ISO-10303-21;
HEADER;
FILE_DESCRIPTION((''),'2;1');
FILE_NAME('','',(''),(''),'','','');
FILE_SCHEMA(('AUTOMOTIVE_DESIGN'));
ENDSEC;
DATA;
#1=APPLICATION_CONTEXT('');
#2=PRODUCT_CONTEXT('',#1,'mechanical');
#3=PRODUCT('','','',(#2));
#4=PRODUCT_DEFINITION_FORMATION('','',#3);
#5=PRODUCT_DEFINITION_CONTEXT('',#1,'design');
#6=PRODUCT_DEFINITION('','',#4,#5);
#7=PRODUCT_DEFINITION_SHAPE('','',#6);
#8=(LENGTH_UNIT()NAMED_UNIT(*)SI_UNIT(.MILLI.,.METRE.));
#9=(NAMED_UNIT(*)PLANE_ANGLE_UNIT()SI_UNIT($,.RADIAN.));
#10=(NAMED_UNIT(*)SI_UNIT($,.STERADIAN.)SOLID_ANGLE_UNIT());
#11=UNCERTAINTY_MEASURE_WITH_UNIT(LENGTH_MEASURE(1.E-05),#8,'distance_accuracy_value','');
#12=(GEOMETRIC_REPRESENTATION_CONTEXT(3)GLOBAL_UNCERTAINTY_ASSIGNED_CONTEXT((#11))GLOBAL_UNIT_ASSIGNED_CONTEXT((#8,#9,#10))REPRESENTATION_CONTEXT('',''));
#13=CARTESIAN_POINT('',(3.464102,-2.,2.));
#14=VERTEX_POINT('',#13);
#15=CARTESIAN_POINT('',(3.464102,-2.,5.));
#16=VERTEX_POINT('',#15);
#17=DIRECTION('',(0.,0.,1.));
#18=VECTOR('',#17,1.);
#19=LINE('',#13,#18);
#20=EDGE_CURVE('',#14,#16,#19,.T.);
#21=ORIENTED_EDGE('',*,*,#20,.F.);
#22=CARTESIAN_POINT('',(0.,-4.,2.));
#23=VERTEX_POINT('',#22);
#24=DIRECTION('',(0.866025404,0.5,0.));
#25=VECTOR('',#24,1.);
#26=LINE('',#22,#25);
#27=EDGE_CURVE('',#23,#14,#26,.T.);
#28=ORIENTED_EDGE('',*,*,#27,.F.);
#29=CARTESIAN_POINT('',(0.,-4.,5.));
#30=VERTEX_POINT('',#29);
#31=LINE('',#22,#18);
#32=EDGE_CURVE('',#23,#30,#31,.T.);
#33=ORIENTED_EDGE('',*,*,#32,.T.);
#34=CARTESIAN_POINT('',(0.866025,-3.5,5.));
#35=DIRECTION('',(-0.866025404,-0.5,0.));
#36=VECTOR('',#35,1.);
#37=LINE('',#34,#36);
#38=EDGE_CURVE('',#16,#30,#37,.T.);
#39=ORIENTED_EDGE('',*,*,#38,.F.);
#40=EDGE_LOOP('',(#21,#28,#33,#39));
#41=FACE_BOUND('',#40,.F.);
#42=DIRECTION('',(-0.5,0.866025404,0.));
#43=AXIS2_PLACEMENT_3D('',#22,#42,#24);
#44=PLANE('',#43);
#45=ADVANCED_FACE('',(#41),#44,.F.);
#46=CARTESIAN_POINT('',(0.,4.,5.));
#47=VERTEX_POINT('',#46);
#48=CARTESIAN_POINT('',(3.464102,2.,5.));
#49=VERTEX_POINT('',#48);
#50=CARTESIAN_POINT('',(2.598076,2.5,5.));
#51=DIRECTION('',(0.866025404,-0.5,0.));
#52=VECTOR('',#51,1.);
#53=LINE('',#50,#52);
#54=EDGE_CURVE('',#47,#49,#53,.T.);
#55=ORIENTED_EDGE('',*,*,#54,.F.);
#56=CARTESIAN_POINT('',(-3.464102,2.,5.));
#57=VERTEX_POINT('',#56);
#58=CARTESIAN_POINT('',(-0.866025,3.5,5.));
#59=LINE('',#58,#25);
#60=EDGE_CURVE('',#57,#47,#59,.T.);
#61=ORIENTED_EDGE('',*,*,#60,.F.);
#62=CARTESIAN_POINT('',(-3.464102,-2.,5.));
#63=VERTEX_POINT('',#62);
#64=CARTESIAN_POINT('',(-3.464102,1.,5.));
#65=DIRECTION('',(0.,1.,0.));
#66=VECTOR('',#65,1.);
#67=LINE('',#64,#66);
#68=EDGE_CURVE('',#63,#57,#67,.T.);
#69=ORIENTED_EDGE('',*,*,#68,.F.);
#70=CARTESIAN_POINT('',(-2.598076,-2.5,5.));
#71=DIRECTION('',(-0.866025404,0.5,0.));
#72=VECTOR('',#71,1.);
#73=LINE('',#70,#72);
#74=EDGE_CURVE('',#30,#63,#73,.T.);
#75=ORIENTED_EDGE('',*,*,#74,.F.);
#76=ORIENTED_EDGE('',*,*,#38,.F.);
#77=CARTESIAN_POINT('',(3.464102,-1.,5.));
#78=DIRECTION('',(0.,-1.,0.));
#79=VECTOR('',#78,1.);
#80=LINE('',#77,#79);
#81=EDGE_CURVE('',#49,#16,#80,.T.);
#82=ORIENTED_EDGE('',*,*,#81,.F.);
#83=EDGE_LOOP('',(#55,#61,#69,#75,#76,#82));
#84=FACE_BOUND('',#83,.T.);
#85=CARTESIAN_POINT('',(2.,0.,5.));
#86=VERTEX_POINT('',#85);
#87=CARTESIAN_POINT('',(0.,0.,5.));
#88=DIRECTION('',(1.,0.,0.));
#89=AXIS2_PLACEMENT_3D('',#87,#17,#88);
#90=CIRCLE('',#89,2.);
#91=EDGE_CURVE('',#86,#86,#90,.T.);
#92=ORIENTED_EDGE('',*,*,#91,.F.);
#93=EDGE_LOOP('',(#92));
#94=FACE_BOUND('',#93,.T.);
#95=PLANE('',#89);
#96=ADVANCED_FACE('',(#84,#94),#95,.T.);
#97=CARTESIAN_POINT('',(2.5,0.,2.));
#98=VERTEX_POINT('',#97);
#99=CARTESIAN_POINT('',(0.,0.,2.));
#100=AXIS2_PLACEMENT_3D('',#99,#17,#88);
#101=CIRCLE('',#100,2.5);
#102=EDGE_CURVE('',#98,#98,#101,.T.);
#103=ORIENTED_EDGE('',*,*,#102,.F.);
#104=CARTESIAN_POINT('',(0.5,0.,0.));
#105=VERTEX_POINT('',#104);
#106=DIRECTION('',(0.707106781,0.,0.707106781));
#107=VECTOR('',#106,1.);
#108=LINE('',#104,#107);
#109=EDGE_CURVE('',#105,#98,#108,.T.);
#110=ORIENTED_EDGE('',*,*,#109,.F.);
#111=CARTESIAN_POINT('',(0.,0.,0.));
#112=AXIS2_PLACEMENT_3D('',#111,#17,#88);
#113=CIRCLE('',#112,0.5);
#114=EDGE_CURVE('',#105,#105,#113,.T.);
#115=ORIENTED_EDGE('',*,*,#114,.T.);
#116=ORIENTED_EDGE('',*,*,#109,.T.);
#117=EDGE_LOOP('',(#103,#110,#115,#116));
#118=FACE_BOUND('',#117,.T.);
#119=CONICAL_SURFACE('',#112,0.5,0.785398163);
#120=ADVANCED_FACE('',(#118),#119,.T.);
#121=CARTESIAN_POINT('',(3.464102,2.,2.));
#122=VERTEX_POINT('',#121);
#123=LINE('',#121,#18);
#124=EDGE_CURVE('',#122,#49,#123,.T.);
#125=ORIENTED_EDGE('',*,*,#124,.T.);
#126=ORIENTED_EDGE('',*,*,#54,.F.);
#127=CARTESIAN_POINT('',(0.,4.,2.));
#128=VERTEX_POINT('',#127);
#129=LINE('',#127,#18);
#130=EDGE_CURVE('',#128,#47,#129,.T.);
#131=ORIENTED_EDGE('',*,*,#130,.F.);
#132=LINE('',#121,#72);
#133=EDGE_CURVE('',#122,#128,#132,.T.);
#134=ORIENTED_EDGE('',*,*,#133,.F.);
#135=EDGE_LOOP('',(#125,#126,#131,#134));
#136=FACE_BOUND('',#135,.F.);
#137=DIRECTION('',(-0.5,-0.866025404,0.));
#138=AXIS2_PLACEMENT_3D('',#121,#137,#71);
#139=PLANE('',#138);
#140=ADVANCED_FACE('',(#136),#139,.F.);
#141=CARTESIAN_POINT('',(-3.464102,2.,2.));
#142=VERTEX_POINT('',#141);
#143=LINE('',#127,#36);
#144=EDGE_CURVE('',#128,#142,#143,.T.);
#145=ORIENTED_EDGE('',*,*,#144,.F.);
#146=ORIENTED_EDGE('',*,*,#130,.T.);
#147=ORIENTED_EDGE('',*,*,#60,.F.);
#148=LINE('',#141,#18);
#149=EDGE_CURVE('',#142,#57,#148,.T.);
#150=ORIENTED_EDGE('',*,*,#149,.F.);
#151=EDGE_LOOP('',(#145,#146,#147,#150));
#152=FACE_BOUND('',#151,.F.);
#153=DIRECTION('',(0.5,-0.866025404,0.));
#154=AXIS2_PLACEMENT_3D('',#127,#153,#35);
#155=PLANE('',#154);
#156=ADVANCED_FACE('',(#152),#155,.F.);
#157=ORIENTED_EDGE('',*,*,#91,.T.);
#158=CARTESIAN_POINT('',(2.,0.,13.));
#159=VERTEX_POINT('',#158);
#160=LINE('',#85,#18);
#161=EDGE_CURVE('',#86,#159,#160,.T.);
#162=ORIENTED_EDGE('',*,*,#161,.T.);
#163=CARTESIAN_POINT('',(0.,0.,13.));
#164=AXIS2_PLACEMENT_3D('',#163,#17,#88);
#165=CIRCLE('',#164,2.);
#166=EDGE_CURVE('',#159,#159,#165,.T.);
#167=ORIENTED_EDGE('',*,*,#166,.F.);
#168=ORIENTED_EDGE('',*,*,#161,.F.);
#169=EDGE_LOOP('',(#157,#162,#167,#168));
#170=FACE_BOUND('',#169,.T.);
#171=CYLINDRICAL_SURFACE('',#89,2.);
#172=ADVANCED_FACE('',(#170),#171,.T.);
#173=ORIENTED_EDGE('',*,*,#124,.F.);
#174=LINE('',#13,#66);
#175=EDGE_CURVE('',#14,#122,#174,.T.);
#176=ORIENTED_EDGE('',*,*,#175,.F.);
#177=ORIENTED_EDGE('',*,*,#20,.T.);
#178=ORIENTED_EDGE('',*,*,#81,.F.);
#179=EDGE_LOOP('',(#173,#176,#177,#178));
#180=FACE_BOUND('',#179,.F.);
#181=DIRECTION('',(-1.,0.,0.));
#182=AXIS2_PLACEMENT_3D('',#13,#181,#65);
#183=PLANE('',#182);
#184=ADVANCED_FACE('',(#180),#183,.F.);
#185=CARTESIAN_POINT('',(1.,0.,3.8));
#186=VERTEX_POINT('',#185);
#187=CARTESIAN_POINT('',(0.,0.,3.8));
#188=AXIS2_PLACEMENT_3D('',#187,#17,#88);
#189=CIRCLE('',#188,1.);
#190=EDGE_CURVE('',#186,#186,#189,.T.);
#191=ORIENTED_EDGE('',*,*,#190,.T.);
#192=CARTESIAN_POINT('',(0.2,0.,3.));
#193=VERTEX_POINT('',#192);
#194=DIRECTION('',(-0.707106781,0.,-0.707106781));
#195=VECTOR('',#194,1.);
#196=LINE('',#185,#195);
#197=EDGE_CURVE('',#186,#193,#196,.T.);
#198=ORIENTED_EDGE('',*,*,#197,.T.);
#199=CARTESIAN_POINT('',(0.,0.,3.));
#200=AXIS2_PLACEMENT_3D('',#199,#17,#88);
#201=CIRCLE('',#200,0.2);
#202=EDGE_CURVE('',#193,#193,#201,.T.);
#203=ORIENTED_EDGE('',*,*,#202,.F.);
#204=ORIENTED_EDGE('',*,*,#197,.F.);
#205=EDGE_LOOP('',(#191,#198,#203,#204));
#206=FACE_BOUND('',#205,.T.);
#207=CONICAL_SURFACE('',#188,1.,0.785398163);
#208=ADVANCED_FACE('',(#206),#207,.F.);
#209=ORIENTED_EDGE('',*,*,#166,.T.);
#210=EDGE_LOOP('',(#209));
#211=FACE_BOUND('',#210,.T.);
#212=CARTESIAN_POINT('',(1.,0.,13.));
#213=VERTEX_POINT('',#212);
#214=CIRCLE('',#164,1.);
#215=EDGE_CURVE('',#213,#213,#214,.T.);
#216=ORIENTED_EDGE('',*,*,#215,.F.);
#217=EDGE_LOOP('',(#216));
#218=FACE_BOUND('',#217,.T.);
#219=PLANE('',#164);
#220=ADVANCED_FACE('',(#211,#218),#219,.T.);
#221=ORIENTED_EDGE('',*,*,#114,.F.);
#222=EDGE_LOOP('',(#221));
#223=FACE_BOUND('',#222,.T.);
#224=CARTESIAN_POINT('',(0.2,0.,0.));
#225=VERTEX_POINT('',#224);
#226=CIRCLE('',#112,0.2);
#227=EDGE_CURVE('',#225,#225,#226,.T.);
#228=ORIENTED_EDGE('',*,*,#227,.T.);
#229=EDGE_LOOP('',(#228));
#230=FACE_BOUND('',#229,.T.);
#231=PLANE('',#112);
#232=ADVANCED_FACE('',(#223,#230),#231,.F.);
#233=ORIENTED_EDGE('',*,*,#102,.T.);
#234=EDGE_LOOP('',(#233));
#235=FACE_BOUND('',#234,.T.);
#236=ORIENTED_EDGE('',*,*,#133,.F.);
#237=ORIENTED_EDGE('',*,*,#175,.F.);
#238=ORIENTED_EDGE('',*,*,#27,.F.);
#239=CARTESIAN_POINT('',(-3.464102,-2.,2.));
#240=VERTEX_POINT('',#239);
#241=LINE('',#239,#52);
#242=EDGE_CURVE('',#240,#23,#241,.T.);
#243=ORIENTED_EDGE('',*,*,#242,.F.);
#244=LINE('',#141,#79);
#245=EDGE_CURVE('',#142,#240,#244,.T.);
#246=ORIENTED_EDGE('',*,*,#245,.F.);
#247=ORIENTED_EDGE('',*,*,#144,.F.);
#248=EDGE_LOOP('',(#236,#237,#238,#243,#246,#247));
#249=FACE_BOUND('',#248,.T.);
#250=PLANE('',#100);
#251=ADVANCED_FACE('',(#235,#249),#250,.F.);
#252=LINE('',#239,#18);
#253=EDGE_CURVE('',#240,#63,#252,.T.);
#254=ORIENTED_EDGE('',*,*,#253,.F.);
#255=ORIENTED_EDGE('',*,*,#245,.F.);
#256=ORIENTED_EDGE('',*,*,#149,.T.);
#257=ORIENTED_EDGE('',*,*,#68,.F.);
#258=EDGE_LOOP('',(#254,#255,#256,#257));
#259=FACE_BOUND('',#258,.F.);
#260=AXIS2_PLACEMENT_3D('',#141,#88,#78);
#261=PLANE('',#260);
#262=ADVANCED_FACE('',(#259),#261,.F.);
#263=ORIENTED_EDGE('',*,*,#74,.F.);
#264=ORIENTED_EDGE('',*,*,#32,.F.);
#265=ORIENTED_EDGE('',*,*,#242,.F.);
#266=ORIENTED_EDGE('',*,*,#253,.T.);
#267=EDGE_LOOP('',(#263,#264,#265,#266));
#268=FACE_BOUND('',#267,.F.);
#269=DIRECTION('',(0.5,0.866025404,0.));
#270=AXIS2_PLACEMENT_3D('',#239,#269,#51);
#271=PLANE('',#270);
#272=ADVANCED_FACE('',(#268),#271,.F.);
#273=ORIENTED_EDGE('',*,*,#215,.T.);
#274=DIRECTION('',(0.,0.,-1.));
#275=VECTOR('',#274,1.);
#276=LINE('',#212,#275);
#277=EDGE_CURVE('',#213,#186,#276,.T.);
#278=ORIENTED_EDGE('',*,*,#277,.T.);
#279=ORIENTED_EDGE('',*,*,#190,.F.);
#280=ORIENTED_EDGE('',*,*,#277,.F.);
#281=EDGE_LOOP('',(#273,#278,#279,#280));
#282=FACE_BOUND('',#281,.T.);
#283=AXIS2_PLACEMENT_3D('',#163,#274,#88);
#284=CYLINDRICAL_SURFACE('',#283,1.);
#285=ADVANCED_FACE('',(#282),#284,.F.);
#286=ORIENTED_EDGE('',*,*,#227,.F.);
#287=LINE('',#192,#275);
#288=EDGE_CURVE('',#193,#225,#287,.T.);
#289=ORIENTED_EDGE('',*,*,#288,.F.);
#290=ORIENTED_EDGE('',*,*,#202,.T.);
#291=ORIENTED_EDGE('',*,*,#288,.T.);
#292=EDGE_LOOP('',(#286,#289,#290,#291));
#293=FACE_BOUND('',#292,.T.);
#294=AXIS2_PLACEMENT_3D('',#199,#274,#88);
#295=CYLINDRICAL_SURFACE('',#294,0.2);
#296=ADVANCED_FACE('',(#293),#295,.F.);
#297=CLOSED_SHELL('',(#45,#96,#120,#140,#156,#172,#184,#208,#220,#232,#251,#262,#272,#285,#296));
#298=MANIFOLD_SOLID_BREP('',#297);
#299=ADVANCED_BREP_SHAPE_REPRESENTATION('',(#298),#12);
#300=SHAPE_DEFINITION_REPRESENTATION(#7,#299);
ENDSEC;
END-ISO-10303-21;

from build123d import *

# Parameters (mm, degrees)
F3_DEPTH = 25


with BuildPart() as f1:
    # F0 (on Front) → F1 (revolve)
    with BuildSketch(Plane.XZ):
        Polygon((0.2, 3), (0.2, 0), (0.5, 0), (2.5, 2), (4, 2), (4, 5), (2, 5), (2, 13), (1, 13), (1, 3.8), align=None)
    revolve(axis=Axis((0, 0, 5.0693617847), (0, 0, 1)))

    # F2 (on face) → F3 (cut)
    with BuildSketch(Plane(origin=(0, 0, 2), x_dir=(1, 0, 0), z_dir=(0, 0, -1))):
        with BuildLine():
            Line((-3.4641016151, 2), (0, 4))
            ThreePointArc((0, 4), (-2, 3.4641016151), (-3.4641016151, 2))
        make_face()
        with BuildLine():
            Line((0, 4), (3.4641016151, 2))
            ThreePointArc((3.4641016151, 2), (2, 3.4641016151), (0, 4))
        make_face()
        with BuildLine():
            ThreePointArc((4, 0), (3.8637033052, 1.0352761804), (3.4641016151, 2))
            Line((3.4641016151, 2), (3.4641016151, -2))
            ThreePointArc((3.4641016151, -2), (3.8637033052, -1.0352761804), (4, 0))
        make_face()
        with BuildLine():
            ThreePointArc((0, -4), (2, -3.4641016151), (3.4641016151, -2))
            Line((3.4641016151, -2), (0, -4))
        make_face()
        with BuildLine():
            ThreePointArc((-3.4641016151, -2), (-2, -3.4641016151), (0, -4))
            Line((0, -4), (-3.4641016151, -2))
        make_face()
        with BuildLine():
            Line((-3.4641016151, -2), (-3.4641016151, 2))
            ThreePointArc((-3.4641016151, 2), (-4, 0), (-3.4641016151, -2))
        make_face()
    extrude(amount=-F3_DEPTH, mode=Mode.SUBTRACT)


solid = f1.part
